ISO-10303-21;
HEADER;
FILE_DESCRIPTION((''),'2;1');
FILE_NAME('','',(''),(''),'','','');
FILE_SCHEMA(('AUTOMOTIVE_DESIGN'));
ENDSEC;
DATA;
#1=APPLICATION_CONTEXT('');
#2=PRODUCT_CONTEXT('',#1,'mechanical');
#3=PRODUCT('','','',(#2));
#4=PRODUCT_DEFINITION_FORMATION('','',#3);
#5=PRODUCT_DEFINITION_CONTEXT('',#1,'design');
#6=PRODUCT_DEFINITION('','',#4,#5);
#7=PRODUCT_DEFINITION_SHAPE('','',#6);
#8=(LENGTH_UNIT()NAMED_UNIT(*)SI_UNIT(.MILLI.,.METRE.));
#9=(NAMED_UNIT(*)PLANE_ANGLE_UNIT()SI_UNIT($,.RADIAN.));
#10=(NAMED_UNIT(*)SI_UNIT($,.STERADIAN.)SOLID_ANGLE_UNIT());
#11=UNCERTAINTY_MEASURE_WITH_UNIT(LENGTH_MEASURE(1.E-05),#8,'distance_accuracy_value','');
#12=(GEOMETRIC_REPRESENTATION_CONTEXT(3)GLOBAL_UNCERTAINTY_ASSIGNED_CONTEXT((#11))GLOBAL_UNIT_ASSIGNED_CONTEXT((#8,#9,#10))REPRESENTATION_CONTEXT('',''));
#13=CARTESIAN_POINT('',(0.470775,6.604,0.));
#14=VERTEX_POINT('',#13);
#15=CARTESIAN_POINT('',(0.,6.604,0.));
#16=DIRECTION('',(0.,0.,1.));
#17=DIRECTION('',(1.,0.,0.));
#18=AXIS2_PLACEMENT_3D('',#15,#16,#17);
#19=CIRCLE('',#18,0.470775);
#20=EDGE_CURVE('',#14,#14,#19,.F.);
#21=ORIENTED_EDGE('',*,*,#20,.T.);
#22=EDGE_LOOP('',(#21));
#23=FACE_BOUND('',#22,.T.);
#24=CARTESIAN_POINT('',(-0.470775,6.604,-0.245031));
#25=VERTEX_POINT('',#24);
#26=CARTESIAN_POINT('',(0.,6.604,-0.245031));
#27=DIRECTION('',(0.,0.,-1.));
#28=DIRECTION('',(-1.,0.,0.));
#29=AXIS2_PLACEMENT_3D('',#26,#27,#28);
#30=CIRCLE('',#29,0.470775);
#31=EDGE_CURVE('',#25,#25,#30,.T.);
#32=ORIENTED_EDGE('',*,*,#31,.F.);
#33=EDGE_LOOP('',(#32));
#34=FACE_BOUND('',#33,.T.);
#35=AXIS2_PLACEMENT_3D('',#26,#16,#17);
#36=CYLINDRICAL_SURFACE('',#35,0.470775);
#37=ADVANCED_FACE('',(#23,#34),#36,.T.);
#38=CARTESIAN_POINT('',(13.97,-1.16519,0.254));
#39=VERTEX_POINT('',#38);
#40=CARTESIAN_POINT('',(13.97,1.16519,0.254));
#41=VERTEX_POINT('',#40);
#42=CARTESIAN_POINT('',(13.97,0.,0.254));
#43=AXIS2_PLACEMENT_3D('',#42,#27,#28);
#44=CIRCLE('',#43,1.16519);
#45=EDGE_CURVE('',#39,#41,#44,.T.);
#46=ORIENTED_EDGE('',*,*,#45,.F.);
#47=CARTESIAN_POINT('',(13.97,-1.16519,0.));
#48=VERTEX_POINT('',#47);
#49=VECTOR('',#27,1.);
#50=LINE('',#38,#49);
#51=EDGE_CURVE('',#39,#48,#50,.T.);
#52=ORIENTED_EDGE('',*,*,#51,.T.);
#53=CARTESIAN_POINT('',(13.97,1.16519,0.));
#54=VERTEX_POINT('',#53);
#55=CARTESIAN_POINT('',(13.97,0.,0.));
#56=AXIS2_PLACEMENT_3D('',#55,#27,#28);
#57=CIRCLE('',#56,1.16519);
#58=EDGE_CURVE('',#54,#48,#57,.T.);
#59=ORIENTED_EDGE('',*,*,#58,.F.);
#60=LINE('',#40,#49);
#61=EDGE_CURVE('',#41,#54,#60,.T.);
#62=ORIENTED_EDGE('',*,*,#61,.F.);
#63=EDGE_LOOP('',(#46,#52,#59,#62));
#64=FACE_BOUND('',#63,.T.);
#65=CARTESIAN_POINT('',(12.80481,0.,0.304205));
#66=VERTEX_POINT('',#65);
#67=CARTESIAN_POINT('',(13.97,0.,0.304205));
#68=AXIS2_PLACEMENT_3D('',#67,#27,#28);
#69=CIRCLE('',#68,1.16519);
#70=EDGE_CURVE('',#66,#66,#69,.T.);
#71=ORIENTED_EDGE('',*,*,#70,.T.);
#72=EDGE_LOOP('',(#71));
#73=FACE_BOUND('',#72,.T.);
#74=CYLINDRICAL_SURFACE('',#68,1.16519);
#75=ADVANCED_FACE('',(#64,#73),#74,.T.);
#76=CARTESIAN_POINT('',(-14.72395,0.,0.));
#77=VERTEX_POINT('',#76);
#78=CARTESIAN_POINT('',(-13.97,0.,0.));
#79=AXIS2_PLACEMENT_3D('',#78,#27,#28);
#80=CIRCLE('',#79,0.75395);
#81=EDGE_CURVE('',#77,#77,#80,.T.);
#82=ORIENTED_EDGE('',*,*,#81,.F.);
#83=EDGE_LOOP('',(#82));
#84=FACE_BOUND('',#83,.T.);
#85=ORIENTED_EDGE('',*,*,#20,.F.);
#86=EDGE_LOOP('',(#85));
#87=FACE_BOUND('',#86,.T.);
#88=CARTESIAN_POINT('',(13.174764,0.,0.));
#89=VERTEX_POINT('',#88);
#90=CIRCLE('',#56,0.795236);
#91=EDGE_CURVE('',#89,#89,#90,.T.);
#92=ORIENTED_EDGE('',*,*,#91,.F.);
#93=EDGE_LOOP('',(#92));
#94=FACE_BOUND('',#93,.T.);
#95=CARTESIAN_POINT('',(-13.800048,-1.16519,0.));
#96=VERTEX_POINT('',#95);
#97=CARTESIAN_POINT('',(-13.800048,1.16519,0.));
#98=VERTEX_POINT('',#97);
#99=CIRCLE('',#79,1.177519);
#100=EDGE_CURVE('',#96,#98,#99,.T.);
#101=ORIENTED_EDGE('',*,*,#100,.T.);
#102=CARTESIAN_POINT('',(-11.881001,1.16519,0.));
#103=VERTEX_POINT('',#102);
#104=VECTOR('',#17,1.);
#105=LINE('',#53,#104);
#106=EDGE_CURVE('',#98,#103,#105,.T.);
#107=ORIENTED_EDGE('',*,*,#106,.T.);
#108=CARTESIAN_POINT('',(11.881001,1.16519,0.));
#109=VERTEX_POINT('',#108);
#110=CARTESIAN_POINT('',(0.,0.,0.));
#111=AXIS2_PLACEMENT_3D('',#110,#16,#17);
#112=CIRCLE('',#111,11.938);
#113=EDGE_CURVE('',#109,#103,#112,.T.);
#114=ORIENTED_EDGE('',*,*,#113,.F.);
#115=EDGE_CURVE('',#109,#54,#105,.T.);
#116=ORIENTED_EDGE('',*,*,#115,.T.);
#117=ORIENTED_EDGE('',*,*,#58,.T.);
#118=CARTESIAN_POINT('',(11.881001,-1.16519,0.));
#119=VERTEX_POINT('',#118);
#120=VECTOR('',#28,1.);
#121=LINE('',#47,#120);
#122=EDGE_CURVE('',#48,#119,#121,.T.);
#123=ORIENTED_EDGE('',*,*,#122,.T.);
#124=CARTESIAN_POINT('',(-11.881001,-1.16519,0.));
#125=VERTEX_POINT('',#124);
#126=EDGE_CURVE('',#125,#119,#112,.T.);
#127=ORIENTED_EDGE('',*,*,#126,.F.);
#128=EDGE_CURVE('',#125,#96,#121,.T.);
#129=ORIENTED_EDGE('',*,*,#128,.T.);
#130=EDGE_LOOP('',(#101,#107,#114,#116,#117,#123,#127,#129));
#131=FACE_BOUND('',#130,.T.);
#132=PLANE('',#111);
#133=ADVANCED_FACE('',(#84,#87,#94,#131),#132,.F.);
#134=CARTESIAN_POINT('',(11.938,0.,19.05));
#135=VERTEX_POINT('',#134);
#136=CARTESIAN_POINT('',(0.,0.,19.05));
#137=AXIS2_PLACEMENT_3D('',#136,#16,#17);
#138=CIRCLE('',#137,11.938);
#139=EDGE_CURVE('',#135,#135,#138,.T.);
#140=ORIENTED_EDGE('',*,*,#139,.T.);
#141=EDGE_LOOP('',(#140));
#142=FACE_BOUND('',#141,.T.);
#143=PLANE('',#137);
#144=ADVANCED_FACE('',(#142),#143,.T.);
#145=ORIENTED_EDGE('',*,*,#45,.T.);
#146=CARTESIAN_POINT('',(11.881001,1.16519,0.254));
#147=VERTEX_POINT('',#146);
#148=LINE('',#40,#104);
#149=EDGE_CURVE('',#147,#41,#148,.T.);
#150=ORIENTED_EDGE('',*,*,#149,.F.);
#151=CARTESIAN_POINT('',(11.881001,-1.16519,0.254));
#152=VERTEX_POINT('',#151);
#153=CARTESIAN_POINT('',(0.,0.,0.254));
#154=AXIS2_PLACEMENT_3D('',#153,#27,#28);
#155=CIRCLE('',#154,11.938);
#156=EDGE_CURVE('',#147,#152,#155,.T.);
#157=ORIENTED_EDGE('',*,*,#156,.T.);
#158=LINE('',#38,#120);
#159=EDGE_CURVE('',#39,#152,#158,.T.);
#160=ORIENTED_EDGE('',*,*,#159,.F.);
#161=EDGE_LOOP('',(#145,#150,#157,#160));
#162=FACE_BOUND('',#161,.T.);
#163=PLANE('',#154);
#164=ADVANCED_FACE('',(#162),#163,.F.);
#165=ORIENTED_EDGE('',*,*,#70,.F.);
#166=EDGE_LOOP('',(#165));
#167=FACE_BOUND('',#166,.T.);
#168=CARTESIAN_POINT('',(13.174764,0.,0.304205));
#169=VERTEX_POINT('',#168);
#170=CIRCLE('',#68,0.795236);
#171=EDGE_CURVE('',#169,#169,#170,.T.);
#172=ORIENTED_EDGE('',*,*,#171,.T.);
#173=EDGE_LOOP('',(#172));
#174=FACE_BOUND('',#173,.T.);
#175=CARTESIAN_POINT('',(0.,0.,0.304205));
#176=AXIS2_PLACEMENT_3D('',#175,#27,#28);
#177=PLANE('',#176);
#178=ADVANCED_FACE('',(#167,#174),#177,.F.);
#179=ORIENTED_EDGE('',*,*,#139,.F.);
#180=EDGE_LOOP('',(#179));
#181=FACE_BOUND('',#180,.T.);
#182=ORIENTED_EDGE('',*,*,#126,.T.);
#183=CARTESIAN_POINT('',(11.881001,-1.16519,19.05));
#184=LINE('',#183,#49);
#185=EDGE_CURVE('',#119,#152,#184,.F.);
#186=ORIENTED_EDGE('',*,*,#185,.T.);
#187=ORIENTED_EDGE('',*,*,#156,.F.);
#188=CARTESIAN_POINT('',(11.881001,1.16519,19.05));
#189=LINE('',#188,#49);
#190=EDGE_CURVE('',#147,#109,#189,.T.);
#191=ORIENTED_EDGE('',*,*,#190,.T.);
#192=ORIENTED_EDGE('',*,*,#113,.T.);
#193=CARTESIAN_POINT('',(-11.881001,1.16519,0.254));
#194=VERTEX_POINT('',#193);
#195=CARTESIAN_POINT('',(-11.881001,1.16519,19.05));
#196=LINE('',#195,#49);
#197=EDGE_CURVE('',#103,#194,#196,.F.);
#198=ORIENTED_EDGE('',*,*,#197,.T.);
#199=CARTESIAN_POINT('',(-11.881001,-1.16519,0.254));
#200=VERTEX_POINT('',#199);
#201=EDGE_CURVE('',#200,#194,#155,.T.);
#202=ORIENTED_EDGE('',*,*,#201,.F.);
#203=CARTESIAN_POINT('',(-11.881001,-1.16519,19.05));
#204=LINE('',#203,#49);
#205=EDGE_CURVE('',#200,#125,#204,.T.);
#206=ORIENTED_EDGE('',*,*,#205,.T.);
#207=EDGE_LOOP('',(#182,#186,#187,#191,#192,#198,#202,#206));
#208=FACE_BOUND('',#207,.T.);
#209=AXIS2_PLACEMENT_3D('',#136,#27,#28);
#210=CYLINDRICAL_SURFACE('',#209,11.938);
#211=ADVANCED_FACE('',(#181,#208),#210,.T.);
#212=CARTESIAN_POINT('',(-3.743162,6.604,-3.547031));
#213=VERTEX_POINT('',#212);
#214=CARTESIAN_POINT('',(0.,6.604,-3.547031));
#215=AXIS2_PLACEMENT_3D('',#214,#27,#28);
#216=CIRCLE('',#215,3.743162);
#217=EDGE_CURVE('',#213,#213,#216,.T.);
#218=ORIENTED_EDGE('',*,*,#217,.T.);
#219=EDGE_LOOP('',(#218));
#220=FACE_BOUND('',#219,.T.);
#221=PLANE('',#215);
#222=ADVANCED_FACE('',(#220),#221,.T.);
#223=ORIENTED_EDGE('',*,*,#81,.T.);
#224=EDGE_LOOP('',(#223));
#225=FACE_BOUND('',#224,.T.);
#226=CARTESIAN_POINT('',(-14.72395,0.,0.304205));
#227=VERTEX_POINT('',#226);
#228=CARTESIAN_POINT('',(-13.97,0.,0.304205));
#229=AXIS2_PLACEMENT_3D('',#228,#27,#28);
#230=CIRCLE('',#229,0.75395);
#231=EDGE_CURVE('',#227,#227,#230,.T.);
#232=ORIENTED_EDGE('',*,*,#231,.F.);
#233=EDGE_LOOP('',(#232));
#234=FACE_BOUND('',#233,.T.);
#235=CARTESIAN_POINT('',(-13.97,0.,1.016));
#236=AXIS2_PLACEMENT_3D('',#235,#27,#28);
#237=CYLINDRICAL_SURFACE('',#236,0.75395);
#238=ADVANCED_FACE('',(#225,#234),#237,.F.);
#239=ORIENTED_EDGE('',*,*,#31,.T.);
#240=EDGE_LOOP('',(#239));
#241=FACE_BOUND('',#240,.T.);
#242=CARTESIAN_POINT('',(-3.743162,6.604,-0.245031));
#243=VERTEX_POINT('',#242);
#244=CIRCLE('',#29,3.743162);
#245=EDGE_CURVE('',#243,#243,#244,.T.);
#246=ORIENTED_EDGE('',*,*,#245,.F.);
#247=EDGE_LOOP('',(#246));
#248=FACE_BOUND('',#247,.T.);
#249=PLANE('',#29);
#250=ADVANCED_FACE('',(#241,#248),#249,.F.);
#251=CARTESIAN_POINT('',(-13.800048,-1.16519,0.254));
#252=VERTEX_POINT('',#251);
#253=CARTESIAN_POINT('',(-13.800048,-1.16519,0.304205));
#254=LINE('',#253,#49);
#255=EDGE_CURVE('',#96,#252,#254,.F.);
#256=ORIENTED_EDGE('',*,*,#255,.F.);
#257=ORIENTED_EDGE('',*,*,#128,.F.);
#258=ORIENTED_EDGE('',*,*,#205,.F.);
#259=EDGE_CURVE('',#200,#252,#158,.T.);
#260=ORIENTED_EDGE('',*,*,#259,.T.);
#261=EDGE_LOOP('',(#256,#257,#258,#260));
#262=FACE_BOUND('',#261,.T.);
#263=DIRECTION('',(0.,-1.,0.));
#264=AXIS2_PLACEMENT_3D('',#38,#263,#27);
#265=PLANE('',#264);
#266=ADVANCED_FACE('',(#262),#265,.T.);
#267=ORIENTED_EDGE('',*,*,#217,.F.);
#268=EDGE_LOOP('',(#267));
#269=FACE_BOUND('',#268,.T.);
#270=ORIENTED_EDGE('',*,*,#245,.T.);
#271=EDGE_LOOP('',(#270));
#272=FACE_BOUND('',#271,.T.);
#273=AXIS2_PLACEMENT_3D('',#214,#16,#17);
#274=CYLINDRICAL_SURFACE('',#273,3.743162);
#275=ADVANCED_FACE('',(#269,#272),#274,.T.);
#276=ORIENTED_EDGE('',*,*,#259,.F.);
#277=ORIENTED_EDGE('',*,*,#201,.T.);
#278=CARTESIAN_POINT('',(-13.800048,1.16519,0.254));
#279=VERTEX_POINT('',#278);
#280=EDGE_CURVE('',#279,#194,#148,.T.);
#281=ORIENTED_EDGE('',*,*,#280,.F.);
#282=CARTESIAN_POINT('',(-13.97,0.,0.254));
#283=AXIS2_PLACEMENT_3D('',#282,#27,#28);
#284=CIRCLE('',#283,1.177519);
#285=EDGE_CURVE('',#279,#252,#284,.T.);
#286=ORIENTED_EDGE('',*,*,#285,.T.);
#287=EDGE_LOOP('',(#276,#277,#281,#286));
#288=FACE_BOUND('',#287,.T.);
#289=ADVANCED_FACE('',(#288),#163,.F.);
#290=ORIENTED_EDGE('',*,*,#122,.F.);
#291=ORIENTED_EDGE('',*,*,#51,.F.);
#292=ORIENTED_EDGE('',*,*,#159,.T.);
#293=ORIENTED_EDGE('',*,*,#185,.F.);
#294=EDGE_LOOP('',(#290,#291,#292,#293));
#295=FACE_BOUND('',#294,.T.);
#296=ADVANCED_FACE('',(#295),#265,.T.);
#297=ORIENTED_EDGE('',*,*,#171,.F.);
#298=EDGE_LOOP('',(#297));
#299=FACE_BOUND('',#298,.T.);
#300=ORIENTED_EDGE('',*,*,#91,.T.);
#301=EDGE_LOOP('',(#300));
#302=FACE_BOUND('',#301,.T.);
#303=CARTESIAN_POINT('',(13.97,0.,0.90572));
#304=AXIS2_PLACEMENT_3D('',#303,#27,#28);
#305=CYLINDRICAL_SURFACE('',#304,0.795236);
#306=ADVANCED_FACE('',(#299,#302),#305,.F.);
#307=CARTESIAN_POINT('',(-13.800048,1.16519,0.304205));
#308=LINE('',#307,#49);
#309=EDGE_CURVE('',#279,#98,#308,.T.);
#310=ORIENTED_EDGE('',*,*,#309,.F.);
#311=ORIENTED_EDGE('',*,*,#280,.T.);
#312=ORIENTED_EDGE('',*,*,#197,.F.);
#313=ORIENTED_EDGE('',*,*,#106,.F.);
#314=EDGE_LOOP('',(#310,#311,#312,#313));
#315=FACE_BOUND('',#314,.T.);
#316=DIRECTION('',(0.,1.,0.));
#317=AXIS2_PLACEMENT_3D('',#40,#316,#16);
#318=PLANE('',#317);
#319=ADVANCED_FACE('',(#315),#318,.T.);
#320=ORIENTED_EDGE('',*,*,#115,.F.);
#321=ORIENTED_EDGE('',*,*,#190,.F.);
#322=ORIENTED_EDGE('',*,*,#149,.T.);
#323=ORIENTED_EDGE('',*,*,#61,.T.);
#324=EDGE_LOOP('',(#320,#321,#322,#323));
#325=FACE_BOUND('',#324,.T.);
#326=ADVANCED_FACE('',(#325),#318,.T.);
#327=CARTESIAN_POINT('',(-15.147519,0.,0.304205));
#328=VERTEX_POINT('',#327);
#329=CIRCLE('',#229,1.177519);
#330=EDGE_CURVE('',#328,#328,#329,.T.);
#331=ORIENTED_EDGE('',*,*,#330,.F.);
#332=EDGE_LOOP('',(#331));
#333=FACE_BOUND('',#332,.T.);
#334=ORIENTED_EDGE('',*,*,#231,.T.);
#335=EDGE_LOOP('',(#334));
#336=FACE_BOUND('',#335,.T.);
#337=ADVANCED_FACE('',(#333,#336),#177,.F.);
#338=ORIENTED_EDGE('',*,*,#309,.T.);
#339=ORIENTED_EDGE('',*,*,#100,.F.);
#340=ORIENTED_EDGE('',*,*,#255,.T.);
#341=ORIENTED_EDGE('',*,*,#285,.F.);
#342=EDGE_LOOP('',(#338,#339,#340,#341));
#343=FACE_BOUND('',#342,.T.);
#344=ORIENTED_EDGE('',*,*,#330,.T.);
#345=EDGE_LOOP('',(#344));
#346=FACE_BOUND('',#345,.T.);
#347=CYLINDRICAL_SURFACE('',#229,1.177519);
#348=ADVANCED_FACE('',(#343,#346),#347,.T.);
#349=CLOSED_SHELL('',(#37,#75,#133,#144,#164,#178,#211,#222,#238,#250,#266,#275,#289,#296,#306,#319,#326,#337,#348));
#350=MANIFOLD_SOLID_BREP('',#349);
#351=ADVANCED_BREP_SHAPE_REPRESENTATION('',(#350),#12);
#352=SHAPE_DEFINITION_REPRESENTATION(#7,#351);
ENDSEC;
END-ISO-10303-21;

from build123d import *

# Parameters (mm, degrees)
SKETCH1_R             = 11.938
BOSS_EXTRUDE1_DEPTH   = 19.05
SKETCH2_R             = 1.177518958
BOSS_EXTRUDE2_DEPTH   = 0.304204724
SKETCH2_R_2           = 1.16518976
BOSS_EXTRUDE2_2_DEPTH = 0.304204724
SKETCH3_W             = 28.109952108
SKETCH3_H             = 2.33037952
BOSS_EXTRUDE3_DEPTH   = 0.254
SKETCH4_R             = 0.795236377
CUT_EXTRUDE1_DEPTH    = 0.905720074
SKETCH5_R             = 0.753950063
CUT_EXTRUDE2_DEPTH    = 1.016
SKETCH6_R             = 0.47077468
BOSS_EXTRUDE4_DEPTH   = 0.245031324
SKETCH8_R             = 3.743161578
BOSS_EXTRUDE5_DEPTH   = 3.302


with BuildPart() as part:
    # Sketch1 → Boss-Extrude1 (new body)
    with BuildSketch(Plane.XY):
        Circle(SKETCH1_R)
    extrude(amount=BOSS_EXTRUDE1_DEPTH)



with BuildPart() as body_2:
    # Sketch2 → Boss-Extrude2 (new body)
    with BuildSketch(Plane(origin=(0, 0, 0), x_dir=(-1, 0, 0), z_dir=(0, 0, -1))):
        with Locations((13.97, 0)):
            Circle(SKETCH2_R)
    extrude(amount=-BOSS_EXTRUDE2_DEPTH)


with BuildPart() as body_3:
    # Sketch2 → Boss-Extrude2 2 (new body)
    with BuildSketch(Plane(origin=(0, 0, 0), x_dir=(-1, 0, 0), z_dir=(0, 0, -1))):
        with Locations((-13.97, 0)):
            Circle(SKETCH2_R_2)
    extrude(amount=-BOSS_EXTRUDE2_2_DEPTH)


with BuildPart() as part_1:
    add(part.part)

    add(body_2.part)  # Boss-Extrude3 merges body 2

    add(body_3.part)  # Boss-Extrude3 merges body 3
    # Sketch3 → Boss-Extrude3 (add)
    with BuildSketch(Plane(origin=(0, 0, 0), x_dir=(-1, 0, 0), z_dir=(0, 0, -1))):
        with Locations((0.084976054, 0)):
            Rectangle(SKETCH3_W, SKETCH3_H)
    extrude(amount=-BOSS_EXTRUDE3_DEPTH)

    # Sketch4 → Cut-Extrude1 (cut)
    with BuildSketch(Plane(origin=(0, 0, 0), x_dir=(-1, 0, 0), z_dir=(0, 0, -1))):
        with Locations((-13.97, 0)):
            Circle(SKETCH4_R)
    extrude(amount=-CUT_EXTRUDE1_DEPTH, mode=Mode.SUBTRACT)

    # Sketch5 → Cut-Extrude2 (cut)
    with BuildSketch(Plane(origin=(0, 0, 0), x_dir=(-1, 0, 0), z_dir=(0, 0, -1))):
        with Locations((13.97, 0)):
            Circle(SKETCH5_R)
    extrude(amount=-CUT_EXTRUDE2_DEPTH, mode=Mode.SUBTRACT)

    # Sketch6 → Boss-Extrude4 (add)
    with BuildSketch(Plane(origin=(0, 0, 0), x_dir=(-1, 0, 0), z_dir=(0, 0, -1))):
        with Locations((0, 6.604)):
            Circle(SKETCH6_R)
    extrude(amount=BOSS_EXTRUDE4_DEPTH)

    # Sketch8 → Boss-Extrude5 (add)
    with BuildSketch(Plane(origin=(0, 0, -0.245031324), x_dir=(-1, 0, 0), z_dir=(0, 0, -1))):
        with Locations((0, 6.604)):
            Circle(SKETCH8_R)
    extrude(amount=BOSS_EXTRUDE5_DEPTH)


solid = part_1.part
